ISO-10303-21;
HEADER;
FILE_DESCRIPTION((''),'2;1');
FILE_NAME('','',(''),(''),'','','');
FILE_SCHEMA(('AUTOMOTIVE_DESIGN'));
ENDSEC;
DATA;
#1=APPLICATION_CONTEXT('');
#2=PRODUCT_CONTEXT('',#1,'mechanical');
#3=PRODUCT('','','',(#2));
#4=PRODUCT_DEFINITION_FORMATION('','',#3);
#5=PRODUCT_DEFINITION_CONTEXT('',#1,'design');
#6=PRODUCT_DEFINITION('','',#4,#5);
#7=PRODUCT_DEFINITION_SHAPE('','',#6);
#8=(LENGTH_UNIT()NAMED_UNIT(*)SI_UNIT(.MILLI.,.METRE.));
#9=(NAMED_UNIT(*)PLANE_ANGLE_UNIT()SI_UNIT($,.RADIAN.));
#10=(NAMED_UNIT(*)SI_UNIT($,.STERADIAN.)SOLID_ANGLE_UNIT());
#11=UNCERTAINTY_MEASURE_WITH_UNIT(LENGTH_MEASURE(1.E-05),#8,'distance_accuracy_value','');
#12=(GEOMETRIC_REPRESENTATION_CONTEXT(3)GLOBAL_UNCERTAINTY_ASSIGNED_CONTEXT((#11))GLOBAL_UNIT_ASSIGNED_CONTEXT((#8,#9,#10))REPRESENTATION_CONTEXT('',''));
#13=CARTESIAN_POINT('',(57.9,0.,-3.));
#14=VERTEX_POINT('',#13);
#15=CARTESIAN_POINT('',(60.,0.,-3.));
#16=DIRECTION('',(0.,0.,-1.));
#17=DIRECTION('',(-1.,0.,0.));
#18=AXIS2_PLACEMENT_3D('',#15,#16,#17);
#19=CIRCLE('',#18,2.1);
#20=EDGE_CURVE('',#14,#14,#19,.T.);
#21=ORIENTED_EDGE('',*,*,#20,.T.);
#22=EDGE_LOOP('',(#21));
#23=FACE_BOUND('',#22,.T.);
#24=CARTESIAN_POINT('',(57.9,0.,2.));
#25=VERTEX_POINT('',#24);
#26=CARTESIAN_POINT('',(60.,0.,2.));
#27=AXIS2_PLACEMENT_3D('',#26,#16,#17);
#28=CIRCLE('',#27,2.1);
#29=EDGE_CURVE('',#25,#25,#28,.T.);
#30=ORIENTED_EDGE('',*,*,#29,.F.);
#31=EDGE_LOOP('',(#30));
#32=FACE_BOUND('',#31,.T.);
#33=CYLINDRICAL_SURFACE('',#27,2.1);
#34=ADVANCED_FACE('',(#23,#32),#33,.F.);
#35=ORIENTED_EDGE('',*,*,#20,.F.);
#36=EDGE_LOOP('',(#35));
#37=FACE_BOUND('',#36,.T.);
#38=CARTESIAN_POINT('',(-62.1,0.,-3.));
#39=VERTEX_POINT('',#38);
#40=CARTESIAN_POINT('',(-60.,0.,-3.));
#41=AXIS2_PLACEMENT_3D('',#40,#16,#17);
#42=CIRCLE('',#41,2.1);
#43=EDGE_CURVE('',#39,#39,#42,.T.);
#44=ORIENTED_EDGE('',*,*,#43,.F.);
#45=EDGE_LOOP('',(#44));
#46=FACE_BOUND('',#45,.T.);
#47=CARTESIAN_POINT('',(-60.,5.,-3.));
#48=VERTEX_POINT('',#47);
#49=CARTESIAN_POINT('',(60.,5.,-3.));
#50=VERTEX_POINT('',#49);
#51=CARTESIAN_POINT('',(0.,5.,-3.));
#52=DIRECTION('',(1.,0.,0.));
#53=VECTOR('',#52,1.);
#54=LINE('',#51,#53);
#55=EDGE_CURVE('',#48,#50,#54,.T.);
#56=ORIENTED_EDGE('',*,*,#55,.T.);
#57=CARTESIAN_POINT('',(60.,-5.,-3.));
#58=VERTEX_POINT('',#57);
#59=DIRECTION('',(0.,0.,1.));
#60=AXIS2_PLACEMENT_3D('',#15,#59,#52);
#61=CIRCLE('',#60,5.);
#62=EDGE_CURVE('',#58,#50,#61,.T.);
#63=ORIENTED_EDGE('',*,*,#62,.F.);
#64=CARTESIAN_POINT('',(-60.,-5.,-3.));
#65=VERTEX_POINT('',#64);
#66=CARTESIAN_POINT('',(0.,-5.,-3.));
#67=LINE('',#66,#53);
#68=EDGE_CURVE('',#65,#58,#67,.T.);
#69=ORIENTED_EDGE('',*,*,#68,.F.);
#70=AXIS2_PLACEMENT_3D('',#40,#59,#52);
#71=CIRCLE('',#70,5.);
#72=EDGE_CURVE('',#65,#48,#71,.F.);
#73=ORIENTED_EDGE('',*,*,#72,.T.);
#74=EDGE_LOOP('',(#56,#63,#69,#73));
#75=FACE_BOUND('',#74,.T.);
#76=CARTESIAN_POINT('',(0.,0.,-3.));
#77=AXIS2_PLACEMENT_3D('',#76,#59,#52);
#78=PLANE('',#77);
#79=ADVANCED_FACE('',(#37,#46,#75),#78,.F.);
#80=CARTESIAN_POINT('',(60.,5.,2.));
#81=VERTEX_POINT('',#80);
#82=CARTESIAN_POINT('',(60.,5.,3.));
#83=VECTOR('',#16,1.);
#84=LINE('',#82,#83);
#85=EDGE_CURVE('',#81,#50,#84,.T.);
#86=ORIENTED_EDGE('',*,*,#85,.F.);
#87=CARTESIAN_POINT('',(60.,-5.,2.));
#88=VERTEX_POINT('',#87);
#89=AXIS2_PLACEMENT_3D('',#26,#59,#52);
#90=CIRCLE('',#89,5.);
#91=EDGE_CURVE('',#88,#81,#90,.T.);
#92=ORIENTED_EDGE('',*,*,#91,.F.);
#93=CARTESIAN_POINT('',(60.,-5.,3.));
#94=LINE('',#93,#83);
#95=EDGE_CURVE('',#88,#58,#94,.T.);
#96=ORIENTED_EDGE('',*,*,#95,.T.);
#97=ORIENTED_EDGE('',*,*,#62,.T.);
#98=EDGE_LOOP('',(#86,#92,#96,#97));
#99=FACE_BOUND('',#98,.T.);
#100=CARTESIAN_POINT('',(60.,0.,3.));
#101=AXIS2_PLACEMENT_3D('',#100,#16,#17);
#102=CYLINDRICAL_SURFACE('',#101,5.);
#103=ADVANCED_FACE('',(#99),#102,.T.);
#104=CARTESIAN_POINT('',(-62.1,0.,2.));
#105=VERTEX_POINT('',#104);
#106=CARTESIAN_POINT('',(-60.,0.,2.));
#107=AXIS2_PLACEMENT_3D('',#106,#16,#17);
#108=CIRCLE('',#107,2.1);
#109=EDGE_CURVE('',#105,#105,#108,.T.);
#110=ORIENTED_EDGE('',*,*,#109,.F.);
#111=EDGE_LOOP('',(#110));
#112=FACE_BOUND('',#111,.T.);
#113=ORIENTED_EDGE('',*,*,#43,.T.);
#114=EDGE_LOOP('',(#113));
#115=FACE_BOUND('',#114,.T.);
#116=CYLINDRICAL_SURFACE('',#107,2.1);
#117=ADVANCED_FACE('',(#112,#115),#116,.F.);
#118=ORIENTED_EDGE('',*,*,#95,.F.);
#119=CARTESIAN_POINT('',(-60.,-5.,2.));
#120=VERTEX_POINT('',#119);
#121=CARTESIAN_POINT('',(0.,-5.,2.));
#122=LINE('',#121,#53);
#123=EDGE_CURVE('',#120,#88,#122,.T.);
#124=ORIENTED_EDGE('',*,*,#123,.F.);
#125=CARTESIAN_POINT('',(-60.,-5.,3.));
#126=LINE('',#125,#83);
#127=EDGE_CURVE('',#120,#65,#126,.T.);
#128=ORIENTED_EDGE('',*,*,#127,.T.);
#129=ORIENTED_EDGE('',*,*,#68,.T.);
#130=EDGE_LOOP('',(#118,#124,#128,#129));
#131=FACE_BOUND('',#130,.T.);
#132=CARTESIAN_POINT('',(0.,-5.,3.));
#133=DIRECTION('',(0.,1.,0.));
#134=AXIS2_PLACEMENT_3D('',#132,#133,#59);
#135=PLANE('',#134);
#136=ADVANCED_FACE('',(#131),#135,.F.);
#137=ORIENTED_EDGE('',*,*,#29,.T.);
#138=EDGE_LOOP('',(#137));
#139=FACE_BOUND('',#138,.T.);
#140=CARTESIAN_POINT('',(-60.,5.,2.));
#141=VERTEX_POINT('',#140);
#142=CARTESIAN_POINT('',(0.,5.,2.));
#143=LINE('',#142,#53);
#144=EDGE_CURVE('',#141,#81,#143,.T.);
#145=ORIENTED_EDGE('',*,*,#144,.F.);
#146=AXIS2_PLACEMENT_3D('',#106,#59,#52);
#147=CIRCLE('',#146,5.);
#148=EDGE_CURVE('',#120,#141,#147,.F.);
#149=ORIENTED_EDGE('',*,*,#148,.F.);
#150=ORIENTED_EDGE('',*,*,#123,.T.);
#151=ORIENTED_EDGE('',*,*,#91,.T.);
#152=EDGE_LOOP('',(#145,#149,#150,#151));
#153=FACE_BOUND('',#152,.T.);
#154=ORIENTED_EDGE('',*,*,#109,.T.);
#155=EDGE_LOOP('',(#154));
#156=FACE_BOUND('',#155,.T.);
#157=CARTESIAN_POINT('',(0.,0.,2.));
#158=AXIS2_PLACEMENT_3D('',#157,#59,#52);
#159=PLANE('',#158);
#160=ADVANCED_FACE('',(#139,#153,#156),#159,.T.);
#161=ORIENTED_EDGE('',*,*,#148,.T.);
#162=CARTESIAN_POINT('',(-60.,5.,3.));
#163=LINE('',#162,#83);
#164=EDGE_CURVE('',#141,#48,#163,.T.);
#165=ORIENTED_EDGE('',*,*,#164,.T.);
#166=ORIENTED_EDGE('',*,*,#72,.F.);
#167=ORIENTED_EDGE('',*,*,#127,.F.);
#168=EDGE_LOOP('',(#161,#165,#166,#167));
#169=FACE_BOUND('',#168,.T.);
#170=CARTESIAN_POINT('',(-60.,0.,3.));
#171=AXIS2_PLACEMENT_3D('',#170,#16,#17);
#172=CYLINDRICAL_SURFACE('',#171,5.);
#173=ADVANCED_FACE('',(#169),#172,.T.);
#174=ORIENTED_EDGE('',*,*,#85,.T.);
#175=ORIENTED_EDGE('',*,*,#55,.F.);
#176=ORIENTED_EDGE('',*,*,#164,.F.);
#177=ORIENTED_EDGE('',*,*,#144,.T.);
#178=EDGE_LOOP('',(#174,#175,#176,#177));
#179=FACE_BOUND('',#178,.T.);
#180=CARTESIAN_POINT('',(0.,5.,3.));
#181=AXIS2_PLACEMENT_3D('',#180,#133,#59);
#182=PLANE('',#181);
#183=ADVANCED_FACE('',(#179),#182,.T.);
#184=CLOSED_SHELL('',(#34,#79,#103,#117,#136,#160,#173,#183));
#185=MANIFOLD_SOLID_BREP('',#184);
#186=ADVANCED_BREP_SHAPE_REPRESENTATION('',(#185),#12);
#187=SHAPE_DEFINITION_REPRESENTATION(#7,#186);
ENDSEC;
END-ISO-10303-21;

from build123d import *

# Parameters (mm, degrees)
BOSS_EXTRUDE1_DEPTH = 3
SKETCH2_W           = 155.927688531
SKETCH2_H           = 55.200678057
CUT_EXTRUDE1_DEPTH  = 1
SKETCH3_R           = 2.1
CUT_EXTRUDE2_DEPTH  = 66.383484153


with BuildPart() as part:
    # Sketch1 → Boss-Extrude1 (new, symmetric)
    with BuildSketch(Plane.XY):
        with BuildLine():
            Line((60, 5), (-60, 5))
            ThreePointArc((-60, 5), (-65, 0), (-60, -5))
            Line((-60, -5), (60, -5))
            ThreePointArc((60, -5), (65, 0), (60, 5))
        make_face()
    extrude(amount=BOSS_EXTRUDE1_DEPTH, both=True)

    # Sketch2 → Cut-Extrude1 (cut)
    with BuildSketch(Plane.XY.offset(3)):
        with Locations((-0.853618733, 0.071134895)):
            Rectangle(SKETCH2_W, SKETCH2_H)
    extrude(amount=-CUT_EXTRUDE1_DEPTH, mode=Mode.SUBTRACT)

    # Sketch3 → Cut-Extrude2 (cut, through all)
    with BuildSketch(Plane(origin=(0, 0, -3), x_dir=(-1, 0, 0), z_dir=(0, 0, -1))):
        with Locations((-60, 0)):
            Circle(SKETCH3_R)
        with Locations((60, 0)):
            Circle(SKETCH3_R)
    extrude(amount=-CUT_EXTRUDE2_DEPTH, mode=Mode.SUBTRACT)


solid = part.part
